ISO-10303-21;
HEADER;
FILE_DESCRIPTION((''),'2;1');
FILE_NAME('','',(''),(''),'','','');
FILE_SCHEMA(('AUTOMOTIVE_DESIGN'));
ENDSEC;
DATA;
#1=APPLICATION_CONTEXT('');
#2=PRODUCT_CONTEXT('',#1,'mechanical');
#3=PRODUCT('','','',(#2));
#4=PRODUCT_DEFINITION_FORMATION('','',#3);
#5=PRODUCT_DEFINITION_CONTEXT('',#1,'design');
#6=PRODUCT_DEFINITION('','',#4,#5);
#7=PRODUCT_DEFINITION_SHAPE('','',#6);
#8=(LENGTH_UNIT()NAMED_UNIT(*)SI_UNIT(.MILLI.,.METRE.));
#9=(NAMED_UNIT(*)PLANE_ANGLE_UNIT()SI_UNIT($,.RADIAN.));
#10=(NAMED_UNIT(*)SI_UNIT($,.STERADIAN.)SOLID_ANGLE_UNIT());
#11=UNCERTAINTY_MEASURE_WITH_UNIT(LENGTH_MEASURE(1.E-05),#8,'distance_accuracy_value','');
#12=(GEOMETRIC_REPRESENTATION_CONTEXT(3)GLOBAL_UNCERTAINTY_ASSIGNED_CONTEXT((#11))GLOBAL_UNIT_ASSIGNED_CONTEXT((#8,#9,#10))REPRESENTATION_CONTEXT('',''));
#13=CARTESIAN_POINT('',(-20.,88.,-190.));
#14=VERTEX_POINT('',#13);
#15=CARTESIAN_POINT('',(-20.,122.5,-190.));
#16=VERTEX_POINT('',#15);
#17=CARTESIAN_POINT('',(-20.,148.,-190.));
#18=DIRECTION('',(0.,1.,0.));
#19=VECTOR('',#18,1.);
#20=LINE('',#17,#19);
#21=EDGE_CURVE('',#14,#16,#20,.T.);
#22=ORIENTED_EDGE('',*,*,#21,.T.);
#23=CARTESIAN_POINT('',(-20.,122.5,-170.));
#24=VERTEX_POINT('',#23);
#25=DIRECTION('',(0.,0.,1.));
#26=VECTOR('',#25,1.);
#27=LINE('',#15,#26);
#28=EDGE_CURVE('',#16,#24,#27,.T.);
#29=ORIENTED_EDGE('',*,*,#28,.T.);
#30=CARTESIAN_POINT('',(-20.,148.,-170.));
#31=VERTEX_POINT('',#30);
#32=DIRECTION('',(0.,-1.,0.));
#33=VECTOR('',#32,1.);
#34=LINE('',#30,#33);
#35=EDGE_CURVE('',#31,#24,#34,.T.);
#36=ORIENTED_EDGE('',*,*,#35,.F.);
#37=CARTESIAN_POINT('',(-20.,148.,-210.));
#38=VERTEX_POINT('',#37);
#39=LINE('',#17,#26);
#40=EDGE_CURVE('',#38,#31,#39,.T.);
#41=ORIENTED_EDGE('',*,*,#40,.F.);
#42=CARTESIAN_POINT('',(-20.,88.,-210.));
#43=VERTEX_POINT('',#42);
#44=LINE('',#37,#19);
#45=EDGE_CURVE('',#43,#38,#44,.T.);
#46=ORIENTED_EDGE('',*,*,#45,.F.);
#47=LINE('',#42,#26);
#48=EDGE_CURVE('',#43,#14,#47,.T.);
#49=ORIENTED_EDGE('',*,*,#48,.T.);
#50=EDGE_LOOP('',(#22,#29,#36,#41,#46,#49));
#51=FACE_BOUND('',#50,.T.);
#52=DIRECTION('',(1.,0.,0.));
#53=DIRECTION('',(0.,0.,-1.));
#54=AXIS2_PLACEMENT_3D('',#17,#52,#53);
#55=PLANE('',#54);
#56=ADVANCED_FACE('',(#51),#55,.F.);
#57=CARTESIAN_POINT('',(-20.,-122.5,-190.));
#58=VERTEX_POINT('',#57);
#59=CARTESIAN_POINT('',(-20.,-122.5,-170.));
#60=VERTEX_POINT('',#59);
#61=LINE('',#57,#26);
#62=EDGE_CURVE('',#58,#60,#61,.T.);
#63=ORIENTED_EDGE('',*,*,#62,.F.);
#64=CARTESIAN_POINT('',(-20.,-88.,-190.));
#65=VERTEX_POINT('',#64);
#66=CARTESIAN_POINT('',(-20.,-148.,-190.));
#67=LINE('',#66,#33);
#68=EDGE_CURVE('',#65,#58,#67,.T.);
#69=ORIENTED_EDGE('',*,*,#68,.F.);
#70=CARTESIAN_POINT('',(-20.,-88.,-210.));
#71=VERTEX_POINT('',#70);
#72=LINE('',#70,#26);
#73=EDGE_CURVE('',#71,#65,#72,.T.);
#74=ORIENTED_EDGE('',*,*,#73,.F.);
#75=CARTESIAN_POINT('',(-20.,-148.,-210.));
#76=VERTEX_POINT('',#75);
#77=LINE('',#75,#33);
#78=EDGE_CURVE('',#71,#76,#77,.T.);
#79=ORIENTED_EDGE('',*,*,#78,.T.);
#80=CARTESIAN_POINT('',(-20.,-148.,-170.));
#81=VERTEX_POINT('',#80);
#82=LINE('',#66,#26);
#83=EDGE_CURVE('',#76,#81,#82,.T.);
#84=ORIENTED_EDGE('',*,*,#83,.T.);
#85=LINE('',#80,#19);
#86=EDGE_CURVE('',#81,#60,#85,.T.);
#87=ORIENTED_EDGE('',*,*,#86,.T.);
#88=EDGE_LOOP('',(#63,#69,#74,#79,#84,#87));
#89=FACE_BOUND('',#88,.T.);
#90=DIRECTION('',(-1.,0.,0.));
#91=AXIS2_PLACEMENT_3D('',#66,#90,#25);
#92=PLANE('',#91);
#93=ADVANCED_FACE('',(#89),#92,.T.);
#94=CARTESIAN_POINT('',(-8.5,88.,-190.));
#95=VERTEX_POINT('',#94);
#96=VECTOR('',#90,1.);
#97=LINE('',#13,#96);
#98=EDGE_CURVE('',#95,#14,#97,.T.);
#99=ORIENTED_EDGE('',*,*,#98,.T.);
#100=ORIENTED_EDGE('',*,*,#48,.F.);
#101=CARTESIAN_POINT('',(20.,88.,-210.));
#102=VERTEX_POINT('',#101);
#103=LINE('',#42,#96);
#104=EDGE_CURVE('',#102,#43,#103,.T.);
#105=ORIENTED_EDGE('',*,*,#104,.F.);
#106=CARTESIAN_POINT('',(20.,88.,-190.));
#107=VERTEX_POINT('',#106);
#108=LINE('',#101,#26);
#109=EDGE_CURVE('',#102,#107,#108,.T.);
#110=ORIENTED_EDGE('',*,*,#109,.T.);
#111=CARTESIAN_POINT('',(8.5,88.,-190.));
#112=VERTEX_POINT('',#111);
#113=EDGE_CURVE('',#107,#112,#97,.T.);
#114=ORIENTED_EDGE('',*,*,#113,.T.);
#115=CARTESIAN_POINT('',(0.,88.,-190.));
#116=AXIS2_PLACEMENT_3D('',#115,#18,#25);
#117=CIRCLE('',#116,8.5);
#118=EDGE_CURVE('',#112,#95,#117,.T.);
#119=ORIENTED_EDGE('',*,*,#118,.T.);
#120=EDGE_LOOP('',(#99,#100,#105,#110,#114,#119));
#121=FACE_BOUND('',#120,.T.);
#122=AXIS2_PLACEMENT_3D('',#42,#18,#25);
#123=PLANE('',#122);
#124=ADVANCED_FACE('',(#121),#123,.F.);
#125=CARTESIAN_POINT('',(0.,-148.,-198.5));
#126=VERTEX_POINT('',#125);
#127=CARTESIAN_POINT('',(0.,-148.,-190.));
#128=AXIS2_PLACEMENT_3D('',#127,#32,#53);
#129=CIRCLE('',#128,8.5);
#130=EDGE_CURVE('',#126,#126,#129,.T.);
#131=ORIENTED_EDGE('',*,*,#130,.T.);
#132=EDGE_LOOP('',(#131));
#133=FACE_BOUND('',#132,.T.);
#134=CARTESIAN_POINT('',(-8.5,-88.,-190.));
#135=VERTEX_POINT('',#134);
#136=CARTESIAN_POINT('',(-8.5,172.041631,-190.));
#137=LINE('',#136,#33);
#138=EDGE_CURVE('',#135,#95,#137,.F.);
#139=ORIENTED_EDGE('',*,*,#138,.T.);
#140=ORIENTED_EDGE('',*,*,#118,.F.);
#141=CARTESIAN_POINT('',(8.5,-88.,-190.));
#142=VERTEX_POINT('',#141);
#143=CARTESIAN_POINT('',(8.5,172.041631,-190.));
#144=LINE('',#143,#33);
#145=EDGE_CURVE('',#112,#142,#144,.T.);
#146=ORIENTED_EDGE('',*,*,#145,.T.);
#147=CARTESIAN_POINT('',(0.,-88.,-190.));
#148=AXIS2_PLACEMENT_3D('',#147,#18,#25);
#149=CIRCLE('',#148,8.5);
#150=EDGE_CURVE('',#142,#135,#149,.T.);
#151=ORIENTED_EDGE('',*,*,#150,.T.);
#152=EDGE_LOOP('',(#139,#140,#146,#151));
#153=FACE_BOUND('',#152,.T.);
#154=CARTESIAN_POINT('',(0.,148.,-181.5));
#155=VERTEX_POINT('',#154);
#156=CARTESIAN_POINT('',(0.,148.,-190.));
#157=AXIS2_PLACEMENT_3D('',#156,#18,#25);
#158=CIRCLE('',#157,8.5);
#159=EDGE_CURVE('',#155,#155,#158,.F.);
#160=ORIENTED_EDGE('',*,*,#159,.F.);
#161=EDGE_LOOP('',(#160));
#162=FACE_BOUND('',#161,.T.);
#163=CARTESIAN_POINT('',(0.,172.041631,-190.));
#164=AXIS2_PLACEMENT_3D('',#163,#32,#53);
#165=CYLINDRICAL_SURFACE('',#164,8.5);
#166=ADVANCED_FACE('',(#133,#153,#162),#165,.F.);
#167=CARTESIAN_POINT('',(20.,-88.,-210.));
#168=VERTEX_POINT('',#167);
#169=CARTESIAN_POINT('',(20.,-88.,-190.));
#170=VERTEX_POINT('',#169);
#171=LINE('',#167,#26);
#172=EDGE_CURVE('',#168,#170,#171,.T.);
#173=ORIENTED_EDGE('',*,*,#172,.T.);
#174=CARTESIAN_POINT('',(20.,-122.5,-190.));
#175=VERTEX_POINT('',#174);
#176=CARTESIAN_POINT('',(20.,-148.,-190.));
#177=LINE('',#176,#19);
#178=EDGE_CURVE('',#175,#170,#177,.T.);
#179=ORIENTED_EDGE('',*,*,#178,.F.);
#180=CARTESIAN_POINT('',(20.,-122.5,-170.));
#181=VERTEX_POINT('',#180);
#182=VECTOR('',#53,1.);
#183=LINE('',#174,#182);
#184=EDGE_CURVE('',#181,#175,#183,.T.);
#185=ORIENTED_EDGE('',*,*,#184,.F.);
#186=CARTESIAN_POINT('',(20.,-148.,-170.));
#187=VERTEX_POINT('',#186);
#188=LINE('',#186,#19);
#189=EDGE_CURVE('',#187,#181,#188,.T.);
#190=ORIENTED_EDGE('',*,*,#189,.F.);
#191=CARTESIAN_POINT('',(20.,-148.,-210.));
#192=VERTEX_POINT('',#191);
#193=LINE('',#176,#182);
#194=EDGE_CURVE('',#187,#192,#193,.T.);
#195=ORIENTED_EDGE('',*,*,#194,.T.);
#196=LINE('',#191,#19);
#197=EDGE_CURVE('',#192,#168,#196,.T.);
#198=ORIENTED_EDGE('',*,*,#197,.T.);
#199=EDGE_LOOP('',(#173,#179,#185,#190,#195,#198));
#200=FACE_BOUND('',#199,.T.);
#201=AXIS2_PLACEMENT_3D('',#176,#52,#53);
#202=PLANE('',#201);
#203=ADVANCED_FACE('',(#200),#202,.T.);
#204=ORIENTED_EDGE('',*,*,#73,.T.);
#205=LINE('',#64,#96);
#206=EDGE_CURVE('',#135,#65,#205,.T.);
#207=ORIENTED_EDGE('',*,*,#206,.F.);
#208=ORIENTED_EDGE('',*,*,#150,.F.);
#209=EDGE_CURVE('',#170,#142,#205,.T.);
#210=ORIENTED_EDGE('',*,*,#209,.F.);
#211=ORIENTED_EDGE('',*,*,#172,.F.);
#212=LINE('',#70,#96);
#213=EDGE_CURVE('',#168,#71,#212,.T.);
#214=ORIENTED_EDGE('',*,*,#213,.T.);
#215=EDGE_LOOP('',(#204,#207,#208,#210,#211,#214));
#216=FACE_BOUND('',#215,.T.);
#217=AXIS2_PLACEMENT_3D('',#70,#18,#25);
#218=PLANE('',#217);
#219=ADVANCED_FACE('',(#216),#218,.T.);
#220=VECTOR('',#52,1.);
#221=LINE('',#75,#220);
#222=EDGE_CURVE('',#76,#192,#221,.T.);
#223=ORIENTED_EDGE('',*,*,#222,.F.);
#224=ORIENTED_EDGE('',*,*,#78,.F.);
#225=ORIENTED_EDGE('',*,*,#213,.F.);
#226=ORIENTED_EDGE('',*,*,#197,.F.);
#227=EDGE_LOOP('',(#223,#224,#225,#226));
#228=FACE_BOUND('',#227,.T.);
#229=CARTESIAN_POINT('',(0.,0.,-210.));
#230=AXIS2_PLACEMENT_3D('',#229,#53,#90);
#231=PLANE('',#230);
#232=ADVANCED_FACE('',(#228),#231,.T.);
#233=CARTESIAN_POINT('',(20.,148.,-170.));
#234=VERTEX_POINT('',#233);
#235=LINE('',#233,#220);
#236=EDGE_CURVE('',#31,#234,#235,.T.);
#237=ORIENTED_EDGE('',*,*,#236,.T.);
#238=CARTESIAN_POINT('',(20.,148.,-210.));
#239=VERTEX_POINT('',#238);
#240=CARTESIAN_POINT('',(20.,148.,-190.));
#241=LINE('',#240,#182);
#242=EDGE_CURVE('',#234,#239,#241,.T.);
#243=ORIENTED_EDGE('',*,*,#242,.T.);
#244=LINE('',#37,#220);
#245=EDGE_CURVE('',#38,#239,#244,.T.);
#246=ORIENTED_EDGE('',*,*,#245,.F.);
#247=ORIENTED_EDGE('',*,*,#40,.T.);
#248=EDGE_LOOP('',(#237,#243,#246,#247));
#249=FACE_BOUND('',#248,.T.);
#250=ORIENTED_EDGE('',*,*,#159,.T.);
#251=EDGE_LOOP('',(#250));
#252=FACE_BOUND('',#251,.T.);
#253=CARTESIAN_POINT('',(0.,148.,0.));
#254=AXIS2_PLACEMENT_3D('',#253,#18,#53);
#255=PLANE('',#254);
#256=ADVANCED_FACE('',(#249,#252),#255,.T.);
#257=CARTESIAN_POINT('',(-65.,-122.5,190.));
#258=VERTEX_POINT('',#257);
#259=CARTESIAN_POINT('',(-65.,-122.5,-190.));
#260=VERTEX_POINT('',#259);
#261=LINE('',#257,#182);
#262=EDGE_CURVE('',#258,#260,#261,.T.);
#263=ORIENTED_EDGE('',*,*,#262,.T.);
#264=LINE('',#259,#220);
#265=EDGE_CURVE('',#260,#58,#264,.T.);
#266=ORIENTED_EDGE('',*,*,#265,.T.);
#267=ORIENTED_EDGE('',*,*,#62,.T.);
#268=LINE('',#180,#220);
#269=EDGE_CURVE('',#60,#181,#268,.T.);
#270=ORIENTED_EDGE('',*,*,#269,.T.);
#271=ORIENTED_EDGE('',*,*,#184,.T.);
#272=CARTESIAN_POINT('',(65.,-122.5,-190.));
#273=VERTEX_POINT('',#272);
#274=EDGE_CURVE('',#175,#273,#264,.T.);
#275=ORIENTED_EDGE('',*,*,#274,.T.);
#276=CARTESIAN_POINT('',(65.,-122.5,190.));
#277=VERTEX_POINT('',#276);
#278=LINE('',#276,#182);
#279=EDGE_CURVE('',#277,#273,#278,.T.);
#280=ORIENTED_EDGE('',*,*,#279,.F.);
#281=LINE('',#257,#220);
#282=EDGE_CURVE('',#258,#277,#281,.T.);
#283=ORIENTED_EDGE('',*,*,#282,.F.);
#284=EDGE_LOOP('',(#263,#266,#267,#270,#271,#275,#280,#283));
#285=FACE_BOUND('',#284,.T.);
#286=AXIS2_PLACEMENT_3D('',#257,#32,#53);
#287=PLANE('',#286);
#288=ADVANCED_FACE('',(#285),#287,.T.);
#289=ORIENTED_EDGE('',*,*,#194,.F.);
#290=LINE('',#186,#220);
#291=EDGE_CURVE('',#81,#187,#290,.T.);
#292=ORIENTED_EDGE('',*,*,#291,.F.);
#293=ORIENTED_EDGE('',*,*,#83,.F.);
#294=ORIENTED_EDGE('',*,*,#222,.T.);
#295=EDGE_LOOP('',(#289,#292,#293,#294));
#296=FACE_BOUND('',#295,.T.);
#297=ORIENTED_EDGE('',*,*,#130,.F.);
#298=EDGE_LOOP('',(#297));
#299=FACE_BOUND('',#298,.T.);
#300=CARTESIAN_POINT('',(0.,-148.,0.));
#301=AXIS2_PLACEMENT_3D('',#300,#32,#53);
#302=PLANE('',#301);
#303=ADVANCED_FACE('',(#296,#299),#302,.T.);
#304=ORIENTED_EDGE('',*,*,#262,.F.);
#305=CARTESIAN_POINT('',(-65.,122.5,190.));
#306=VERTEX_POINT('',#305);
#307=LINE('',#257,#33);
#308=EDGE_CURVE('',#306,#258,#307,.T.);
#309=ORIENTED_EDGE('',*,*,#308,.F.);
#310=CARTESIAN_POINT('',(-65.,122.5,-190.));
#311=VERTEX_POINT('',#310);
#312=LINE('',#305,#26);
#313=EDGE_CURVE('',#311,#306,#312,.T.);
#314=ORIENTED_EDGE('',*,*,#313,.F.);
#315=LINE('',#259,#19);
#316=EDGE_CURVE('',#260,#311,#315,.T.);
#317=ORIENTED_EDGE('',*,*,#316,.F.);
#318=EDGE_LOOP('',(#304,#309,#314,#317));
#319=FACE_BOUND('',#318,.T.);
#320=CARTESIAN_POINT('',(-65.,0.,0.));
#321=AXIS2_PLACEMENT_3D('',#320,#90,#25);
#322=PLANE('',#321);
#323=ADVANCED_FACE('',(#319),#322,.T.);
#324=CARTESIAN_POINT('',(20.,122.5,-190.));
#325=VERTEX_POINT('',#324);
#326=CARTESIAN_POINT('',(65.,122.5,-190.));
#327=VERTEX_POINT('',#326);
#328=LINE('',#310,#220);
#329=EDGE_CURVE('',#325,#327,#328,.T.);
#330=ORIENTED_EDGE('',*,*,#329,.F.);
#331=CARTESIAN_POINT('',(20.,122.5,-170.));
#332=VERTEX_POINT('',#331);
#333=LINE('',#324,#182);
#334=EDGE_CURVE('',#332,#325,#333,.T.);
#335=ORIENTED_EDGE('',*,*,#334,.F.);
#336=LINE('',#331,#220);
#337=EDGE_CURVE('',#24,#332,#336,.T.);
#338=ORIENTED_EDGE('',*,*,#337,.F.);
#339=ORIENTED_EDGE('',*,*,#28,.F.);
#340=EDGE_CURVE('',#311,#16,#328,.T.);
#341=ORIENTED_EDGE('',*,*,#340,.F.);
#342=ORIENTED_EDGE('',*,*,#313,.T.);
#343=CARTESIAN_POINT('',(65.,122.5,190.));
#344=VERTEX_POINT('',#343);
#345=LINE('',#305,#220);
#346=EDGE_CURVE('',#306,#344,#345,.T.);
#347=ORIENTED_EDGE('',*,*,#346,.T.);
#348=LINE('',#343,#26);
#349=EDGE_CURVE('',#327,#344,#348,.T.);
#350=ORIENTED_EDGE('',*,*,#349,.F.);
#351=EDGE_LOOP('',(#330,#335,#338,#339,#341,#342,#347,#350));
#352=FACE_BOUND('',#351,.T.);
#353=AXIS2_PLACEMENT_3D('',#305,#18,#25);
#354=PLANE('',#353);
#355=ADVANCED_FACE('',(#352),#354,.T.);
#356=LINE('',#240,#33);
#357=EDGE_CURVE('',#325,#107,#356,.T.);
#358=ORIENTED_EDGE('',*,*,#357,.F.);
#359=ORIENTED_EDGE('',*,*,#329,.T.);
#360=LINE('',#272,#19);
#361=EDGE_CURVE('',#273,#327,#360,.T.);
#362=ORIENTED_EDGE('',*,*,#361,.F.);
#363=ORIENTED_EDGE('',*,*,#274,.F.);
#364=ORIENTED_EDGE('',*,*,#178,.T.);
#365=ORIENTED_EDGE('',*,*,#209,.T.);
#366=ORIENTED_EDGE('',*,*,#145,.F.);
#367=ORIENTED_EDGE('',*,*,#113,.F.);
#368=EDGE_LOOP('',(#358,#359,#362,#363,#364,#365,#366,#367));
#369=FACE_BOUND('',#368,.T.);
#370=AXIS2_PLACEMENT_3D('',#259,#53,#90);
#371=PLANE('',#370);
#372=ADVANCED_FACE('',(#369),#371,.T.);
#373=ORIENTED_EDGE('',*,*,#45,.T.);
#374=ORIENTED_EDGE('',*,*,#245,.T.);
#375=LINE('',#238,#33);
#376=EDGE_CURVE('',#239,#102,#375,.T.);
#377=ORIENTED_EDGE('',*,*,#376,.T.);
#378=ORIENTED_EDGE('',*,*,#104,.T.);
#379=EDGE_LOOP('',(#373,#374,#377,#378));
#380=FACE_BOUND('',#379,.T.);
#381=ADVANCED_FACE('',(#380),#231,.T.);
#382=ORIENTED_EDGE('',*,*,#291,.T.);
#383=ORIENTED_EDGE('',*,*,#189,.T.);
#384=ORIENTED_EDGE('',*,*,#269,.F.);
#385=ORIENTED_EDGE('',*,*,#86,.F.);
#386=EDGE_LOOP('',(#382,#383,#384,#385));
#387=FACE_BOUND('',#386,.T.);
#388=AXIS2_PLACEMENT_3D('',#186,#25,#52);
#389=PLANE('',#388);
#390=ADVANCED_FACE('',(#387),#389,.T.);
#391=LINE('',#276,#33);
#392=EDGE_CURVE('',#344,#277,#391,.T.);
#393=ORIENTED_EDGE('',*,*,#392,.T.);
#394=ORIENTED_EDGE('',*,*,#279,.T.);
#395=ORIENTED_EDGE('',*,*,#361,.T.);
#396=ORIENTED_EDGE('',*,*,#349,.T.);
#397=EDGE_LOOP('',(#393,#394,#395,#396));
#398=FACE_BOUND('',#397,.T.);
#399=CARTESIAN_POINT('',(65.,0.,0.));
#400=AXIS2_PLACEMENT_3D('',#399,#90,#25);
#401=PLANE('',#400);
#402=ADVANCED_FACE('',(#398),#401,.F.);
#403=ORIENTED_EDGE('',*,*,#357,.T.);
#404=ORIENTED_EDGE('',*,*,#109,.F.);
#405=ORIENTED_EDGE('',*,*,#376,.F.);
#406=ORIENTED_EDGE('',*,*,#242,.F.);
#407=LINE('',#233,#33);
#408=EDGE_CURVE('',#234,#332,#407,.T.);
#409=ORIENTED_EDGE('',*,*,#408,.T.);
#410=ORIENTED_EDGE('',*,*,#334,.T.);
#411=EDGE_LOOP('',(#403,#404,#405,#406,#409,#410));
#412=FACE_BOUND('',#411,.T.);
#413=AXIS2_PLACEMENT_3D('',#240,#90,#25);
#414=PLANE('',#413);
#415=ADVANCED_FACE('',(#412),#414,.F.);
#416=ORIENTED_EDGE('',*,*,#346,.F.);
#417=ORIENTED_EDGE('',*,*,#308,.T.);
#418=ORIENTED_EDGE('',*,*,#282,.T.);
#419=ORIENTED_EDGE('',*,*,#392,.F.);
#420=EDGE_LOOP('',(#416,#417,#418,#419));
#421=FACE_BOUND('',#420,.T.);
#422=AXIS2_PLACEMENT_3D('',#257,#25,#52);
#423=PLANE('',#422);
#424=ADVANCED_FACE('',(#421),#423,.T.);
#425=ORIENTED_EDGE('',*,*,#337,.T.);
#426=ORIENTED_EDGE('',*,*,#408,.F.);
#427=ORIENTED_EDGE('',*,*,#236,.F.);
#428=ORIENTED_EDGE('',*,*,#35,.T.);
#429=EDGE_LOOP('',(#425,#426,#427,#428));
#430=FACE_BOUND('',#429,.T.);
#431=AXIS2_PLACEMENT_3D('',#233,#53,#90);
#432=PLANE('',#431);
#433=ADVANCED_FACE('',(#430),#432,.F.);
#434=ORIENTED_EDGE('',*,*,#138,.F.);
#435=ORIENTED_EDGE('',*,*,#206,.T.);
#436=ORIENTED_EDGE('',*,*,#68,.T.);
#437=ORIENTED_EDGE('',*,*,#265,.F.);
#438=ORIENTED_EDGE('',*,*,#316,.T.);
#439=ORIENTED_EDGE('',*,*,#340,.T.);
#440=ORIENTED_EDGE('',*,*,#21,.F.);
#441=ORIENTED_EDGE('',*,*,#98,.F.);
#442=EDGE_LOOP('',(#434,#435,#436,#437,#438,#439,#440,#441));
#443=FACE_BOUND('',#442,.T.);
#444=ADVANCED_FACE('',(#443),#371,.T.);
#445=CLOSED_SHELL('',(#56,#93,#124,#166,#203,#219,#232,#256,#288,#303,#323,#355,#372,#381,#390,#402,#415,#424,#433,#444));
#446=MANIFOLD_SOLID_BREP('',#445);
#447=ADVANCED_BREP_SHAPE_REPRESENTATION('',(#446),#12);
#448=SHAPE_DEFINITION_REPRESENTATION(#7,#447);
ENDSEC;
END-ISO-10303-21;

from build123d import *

# Parameters (mm, degrees)
SKETCH_1_W           = 380
SKETCH_1_H           = 245
EXTRUDE_1_DEPTH      = 65
EXTRUDE_1_DEPTH_BACK = 65
SKETCH_2_W           = 40
SKETCH_2_H           = 20
EXTRUDE_2_DEPTH      = 25.5
SKETCH_3_W           = 40
SKETCH_3_H           = 60
EXTRUDE_3_DEPTH      = 20
SKETCH_4_R           = 8.5
CUT_EXTRUDE_1_DEPTH  = 296


with BuildPart() as part:
    # Эскиз1 → Бобышка-Вытянуть1 (new body, two sides)
    with BuildSketch(Plane(origin=(0, 0, 0), x_dir=(0, 0, -1), z_dir=(1, 0, 0))) as extrude_1_sk:
        Rectangle(SKETCH_1_W, SKETCH_1_H)
    extrude(amount=EXTRUDE_1_DEPTH)
    extrude(extrude_1_sk.sketch, amount=-EXTRUDE_1_DEPTH_BACK)

    # Эскиз2 → Бобышка-Вытянуть2 (add)
    with BuildSketch(Plane(origin=(0, -122.5, -67.5), x_dir=(-1, 0, 0), z_dir=(0, 1, 0))):
        with Locations((0, -112.5)):
            Rectangle(SKETCH_2_W, SKETCH_2_H)
    extrude_2 = extrude(amount=-EXTRUDE_2_DEPTH)

    # Эскиз3 → Бобышка-Вытянуть3 (add)
    with BuildSketch(Plane(origin=(0, 67.5, -190), x_dir=(1, 0, 0), z_dir=(0, 0, 1))):
        with Locations((0, -185.5)):
            Rectangle(SKETCH_3_W, SKETCH_3_H)
    extrude_3 = extrude(amount=-EXTRUDE_3_DEPTH)

    # Зеркальное отражение1: Бобышка-Вытянуть2, Бобышка-Вытянуть3 across plane
    add(extrude_2.mirror(Plane.ZX))
    add(extrude_3.mirror(Plane.ZX))

    # Эскиз4 → Вырез-Вытянуть1 (cut)
    with BuildSketch(Plane(origin=(0, -148, 0), x_dir=(-1, 0, 0), z_dir=(0, -1, 0))):
        with Locations((0, 190)):
            Circle(SKETCH_4_R)
    extrude(amount=-CUT_EXTRUDE_1_DEPTH, mode=Mode.SUBTRACT)


solid = part.part
